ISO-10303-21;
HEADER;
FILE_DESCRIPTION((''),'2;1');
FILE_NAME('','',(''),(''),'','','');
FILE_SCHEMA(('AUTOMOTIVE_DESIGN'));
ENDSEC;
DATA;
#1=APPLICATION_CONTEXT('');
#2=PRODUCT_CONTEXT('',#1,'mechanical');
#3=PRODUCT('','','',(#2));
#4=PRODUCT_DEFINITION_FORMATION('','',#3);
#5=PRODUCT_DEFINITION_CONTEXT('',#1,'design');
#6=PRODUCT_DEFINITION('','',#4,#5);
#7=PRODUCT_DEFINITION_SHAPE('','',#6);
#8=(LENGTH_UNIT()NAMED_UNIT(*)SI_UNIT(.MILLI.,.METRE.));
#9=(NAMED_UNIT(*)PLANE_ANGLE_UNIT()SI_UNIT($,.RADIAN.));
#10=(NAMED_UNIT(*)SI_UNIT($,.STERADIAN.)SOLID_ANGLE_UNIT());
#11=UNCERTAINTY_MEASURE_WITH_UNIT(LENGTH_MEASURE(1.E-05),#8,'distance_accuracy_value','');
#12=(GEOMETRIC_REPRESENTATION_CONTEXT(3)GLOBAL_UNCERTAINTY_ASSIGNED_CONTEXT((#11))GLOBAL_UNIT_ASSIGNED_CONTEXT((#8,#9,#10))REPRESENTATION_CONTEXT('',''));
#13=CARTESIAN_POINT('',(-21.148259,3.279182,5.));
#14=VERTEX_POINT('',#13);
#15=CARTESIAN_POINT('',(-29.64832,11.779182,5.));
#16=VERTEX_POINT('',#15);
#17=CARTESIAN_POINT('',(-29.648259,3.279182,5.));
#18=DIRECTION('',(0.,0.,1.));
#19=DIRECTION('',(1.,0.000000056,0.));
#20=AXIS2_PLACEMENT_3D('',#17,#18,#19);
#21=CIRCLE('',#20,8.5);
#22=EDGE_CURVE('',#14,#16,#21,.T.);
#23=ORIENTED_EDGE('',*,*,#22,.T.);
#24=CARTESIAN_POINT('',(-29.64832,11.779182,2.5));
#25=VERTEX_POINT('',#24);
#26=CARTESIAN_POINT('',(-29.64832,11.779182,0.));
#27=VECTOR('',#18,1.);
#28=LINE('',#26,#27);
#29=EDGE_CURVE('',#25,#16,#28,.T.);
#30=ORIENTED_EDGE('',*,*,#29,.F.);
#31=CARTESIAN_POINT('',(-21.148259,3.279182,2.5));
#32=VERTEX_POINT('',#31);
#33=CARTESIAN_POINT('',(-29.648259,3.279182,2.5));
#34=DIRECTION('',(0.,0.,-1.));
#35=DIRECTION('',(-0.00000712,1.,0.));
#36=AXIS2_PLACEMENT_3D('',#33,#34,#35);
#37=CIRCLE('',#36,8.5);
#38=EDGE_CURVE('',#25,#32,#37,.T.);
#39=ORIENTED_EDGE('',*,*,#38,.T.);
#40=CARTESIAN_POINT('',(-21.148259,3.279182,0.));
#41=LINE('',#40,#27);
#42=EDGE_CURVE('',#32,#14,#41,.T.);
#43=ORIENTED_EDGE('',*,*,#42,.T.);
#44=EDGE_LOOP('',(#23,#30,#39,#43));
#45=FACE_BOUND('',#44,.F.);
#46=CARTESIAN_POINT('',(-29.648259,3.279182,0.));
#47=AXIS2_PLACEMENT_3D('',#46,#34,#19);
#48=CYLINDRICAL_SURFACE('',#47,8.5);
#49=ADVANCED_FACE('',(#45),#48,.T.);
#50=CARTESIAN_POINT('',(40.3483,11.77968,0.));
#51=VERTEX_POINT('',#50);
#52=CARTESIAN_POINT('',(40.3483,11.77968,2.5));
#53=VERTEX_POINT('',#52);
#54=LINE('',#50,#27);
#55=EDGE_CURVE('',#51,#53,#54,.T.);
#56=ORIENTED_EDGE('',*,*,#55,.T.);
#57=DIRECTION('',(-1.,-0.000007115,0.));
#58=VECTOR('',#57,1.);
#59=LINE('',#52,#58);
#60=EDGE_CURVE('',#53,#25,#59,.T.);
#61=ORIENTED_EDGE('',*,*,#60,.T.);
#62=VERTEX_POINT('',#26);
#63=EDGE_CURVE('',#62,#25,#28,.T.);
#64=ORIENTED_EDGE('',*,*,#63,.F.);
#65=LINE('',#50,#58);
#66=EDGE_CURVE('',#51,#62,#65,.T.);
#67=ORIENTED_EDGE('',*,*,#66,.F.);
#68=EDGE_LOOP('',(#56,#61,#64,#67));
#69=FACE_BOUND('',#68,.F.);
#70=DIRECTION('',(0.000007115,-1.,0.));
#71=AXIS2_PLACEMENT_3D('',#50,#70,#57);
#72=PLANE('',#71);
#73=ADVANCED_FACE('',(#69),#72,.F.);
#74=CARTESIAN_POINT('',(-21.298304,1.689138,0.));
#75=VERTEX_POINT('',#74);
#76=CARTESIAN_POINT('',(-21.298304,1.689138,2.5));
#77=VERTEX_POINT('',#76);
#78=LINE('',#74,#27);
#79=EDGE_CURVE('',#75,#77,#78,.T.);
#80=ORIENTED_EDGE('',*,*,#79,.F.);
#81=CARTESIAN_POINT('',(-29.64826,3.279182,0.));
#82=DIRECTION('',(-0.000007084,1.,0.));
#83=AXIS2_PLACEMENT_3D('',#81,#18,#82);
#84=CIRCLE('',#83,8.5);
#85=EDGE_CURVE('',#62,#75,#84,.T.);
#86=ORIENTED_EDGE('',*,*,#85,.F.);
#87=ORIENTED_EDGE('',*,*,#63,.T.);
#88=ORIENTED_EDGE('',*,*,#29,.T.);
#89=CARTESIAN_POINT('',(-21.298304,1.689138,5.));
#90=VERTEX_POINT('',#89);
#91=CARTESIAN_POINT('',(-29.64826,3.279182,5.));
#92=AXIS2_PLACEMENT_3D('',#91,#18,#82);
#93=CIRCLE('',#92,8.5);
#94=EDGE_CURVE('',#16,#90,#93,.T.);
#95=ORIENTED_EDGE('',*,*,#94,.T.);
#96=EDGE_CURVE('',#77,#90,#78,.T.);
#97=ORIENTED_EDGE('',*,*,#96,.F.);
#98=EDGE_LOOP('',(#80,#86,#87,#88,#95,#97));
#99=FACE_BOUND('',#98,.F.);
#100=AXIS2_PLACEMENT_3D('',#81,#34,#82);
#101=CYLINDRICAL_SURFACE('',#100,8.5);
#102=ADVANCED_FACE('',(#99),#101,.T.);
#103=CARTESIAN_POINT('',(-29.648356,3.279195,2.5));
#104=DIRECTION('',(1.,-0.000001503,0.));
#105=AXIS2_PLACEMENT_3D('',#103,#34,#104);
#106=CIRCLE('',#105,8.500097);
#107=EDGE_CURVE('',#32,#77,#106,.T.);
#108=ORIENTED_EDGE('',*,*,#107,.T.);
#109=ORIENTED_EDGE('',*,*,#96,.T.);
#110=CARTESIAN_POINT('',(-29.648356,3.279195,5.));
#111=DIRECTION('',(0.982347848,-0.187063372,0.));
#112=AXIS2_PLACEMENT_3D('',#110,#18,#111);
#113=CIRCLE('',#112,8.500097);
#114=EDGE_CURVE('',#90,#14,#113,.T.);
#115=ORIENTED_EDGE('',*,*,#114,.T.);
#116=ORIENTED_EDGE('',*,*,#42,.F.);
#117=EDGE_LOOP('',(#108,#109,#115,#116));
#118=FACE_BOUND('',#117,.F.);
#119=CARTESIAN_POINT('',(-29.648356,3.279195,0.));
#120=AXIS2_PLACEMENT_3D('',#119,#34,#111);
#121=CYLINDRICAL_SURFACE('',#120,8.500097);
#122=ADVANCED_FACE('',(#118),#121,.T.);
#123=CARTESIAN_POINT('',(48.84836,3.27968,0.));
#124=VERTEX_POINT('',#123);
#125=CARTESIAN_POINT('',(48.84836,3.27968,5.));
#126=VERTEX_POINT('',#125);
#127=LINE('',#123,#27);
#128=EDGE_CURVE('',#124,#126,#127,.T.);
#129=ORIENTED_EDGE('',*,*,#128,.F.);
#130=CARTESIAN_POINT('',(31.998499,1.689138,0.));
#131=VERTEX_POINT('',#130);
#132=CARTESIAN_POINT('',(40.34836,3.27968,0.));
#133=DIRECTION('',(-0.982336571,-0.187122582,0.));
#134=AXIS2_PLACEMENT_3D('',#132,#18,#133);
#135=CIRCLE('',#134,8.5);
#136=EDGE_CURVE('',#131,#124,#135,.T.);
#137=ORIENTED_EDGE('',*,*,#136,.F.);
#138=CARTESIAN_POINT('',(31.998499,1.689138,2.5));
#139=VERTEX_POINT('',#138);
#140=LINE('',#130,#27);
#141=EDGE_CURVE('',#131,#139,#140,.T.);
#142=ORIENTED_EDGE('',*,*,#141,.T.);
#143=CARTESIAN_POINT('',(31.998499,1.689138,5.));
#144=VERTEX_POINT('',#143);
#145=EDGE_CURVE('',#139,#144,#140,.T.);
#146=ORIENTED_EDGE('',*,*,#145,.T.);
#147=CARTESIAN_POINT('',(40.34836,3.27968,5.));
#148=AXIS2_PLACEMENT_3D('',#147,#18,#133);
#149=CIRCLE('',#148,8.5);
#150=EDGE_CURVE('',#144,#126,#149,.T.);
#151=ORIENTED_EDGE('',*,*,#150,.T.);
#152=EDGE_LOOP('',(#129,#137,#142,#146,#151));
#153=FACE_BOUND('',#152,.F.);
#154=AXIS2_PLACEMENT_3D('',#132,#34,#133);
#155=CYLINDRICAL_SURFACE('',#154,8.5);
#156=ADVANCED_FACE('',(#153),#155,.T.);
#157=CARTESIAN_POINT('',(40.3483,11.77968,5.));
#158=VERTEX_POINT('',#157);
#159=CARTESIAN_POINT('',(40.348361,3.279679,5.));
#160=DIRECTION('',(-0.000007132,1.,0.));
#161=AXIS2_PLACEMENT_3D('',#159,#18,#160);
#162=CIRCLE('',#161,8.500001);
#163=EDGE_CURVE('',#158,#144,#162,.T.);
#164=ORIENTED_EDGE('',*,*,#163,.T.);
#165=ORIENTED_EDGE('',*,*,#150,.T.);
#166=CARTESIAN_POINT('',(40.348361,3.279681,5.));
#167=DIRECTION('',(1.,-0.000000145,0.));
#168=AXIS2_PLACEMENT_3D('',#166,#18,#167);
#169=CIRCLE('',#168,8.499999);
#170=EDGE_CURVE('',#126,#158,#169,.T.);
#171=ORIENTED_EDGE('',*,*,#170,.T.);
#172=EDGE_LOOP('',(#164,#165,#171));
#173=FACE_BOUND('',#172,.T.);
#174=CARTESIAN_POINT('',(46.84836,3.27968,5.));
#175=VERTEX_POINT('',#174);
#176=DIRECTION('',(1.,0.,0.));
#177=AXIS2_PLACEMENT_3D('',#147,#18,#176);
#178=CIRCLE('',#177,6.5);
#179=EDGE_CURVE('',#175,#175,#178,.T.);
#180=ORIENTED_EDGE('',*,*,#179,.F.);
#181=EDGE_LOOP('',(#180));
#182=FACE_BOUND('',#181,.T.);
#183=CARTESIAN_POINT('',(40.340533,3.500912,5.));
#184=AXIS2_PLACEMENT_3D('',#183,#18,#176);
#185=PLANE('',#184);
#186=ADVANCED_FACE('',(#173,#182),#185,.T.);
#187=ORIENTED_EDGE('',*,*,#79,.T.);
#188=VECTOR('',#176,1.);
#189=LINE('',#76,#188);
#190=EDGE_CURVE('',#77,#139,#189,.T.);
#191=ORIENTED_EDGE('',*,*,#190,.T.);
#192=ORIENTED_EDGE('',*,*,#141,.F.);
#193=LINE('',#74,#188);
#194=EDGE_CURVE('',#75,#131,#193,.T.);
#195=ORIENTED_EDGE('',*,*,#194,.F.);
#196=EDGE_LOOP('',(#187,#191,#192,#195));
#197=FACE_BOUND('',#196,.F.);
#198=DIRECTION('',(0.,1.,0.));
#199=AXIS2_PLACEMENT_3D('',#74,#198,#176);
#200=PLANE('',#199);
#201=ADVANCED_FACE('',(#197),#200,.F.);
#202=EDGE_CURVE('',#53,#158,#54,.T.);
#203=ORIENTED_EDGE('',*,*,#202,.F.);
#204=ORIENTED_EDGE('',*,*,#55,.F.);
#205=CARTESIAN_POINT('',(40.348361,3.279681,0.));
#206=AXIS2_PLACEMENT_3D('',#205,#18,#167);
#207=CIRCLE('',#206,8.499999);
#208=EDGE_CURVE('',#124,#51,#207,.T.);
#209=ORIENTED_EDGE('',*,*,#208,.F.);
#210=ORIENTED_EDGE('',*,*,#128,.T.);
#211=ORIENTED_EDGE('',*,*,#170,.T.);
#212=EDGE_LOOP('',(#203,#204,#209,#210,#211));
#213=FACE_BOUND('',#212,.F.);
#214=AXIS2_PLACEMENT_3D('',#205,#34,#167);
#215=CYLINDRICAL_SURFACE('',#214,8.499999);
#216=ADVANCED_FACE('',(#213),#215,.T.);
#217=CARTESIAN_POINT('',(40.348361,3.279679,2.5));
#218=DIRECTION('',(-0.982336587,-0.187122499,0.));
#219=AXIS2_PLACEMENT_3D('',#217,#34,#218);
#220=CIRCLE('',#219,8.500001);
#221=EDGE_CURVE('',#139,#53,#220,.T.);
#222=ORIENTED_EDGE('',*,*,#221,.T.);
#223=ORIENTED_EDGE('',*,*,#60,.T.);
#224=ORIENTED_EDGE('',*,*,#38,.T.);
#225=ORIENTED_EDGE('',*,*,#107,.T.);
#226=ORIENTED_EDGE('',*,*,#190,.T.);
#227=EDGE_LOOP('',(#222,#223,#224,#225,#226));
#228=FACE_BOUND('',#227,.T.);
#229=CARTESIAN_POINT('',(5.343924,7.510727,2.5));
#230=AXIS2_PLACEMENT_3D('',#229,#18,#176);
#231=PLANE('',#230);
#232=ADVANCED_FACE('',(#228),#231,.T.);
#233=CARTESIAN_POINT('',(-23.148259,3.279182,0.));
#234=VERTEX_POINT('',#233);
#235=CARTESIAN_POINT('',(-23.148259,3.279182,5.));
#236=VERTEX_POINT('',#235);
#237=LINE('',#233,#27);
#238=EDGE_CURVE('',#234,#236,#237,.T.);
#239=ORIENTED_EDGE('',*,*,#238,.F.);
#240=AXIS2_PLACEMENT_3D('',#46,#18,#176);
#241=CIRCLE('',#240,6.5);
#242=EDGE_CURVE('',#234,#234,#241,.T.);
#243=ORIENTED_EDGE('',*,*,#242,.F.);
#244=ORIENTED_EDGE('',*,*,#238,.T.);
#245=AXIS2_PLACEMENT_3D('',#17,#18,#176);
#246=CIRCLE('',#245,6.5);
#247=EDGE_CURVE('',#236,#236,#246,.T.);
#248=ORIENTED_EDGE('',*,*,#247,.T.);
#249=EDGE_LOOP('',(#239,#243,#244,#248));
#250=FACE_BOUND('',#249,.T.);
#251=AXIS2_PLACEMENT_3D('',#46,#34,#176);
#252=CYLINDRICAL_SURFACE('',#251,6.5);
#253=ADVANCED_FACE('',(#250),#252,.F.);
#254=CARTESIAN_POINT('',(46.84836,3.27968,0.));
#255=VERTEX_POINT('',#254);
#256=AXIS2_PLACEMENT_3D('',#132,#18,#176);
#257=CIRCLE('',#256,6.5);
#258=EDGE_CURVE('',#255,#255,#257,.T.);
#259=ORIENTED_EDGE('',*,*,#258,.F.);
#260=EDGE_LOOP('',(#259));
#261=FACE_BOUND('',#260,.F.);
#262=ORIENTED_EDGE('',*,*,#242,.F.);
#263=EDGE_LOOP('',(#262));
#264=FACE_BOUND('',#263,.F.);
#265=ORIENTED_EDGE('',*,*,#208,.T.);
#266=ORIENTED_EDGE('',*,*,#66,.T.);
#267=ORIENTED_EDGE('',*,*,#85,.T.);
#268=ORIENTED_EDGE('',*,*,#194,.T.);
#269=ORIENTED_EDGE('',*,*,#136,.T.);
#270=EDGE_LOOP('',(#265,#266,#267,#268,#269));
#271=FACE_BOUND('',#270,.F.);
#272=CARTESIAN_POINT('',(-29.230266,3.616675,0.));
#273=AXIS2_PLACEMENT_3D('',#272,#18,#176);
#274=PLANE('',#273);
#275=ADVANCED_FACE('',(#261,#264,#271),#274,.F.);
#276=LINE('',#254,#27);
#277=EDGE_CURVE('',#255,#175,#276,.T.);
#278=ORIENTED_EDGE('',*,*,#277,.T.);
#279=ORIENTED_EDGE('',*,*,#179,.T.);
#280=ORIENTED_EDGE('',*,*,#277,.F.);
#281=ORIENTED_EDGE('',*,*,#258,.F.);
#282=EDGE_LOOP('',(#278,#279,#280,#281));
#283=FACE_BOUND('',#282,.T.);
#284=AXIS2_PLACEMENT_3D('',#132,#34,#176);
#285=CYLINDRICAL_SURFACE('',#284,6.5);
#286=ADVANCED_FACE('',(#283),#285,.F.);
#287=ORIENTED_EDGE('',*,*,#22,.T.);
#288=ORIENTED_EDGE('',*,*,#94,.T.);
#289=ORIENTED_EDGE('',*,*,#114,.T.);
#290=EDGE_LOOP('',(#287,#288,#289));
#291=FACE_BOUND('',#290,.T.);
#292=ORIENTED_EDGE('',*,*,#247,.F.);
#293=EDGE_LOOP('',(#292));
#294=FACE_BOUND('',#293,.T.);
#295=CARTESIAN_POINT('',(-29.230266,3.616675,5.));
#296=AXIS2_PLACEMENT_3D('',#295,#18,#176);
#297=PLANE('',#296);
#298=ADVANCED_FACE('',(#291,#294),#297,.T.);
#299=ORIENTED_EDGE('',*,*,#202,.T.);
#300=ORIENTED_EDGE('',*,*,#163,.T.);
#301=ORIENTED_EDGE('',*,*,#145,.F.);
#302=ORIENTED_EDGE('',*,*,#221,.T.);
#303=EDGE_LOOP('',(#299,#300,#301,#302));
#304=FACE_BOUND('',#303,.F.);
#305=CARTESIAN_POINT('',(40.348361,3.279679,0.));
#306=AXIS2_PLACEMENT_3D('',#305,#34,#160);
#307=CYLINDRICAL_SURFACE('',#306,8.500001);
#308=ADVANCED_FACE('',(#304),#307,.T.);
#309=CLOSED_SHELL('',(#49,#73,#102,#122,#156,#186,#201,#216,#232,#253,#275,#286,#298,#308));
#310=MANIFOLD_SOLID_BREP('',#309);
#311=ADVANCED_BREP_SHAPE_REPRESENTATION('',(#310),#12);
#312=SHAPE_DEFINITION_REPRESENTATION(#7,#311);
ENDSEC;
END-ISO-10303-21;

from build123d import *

# Parameters (mm, degrees)
F1_DEPTH = 2.5
F0_R     = 6.5
F2_DEPTH = 5


with BuildPart() as f1:
    # F0 (on Top) → F1 (new body)
    with BuildSketch(Plane.XY):
        with BuildLine():
            ThreePointArc((-29.64832, 11.779182), (-23.637873, 9.289611), (-21.148259, 3.279182))
            ThreePointArc((-21.148259, 3.279182), (-21.185854, 2.480628), (-21.298304, 1.689138))
            Line((-21.298304, 1.689138), (31.998499, 1.689138))
            ThreePointArc((31.998499, 1.689138), (33.799692, 8.698623), (40.3483, 11.77968))
            Line((40.3483, 11.77968), (-29.64832, 11.779182))
        make_face()
    extrude(amount=F1_DEPTH)

    # F0 (on Top) → F2 (join)
    with BuildSketch(Plane.XY):
        with BuildLine():
            ThreePointArc((-21.298304, 1.689138), (-21.185854, 2.480628), (-21.148259, 3.279182))
            ThreePointArc((-21.148259, 3.279182), (-23.637873, 9.289611), (-29.64832, 11.779182))
            ThreePointArc((-29.64832, 11.779182), (-36.196728, -2.140003), (-21.298304, 1.689138))
        make_face()
        with Locations((-29.648259, 3.279182)):
            Circle(F0_R, mode=Mode.SUBTRACT)
        with BuildLine():
            ThreePointArc((48.84836, 3.27968), (46.358747, 9.290109), (40.3483, 11.77968))
            ThreePointArc((40.3483, 11.77968), (33.799692, 8.698623), (31.998499, 1.689138))
            ThreePointArc((31.998499, 1.689138), (41.147167, -5.182702), (48.84836, 3.27968))
        make_face()
        with Locations((40.34836, 3.27968)):
            Circle(F0_R, mode=Mode.SUBTRACT)
    extrude(amount=F2_DEPTH)


solid = f1.part
